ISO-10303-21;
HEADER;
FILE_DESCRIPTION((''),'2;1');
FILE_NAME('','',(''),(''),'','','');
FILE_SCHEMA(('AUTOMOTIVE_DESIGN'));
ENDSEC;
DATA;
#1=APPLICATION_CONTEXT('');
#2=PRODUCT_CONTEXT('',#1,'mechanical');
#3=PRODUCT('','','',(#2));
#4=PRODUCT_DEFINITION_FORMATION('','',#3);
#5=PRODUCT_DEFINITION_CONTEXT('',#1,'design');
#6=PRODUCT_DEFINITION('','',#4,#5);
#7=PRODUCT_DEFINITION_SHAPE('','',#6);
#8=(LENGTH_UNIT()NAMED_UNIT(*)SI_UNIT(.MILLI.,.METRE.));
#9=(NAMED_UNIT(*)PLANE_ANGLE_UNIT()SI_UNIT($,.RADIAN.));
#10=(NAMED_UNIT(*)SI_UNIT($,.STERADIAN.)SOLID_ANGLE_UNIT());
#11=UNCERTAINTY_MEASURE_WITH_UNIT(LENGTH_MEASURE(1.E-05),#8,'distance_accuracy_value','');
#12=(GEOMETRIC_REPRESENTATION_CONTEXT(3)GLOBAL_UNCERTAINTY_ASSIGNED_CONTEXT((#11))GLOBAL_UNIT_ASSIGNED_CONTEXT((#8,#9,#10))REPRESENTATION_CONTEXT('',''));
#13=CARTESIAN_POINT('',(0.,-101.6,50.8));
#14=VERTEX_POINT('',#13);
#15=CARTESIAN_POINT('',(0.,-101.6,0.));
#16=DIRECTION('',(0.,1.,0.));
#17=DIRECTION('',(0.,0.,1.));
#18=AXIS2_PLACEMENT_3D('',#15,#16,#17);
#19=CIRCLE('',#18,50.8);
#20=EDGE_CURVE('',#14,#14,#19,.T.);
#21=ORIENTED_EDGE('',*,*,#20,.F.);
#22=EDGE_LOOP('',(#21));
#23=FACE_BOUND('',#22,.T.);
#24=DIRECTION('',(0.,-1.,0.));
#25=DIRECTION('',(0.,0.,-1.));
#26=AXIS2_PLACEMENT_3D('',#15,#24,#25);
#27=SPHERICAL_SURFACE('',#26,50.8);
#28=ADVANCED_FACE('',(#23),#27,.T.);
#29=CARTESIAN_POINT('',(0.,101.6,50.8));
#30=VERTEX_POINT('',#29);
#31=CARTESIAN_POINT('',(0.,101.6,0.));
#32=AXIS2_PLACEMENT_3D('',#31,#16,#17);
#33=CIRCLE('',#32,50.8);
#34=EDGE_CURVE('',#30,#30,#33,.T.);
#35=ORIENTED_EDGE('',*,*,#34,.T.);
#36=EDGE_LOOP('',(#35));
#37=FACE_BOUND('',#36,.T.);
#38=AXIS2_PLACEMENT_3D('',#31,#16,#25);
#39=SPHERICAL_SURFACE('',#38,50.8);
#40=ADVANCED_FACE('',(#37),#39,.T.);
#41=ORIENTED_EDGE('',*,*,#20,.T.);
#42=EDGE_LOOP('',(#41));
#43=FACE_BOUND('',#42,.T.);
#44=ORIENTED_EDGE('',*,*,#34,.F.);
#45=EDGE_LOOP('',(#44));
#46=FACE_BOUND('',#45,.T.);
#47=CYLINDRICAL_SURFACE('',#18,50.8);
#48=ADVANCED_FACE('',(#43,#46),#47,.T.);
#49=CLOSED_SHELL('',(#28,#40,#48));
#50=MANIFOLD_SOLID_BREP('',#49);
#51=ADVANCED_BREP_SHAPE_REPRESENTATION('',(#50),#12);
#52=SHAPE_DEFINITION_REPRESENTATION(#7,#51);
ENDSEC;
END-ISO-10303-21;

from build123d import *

# Parameters (mm, degrees)
SKETCH1_R           = 50.8
BOSS_EXTRUDE1_DEPTH = 101.6


with BuildPart() as part:
    # Sketch1 → Boss-Extrude1 (new, symmetric)
    with BuildSketch(Plane(origin=(0, 0, 0), x_dir=(1, 0, 0), z_dir=(0, 1, 0))):
        with Locations(Location((0, 0, 0), (0, 0, 270))):
            Circle(SKETCH1_R)
    extrude(amount=BOSS_EXTRUDE1_DEPTH, both=True)

    # Sketch3 → Revolve1 (revolve)
    with BuildSketch(Plane(origin=(0, 0, 0), x_dir=(0, 0, -1), z_dir=(1, 0, 0)), mode=Mode.PRIVATE) as revolve1_sk:
        with BuildLine():
            Line((0, 101.6), (-50.8, 101.6))
            ThreePointArc((-50.8, 101.6), (-35.921024484, 137.521024484), (0, 152.4))
            Line((0, 152.4), (0, 101.6))
        make_face()
    revolve1 = revolve(revolve1_sk.sketch.rotate(Axis((0, 152.4, 0), (0, -1, 0)), 180), axis=Axis((0, 152.4, 0), (0, -1, 0)))

    # Mirror1: Revolve1 across plane
    add(revolve1.mirror(Plane.ZX))


solid = part.part
